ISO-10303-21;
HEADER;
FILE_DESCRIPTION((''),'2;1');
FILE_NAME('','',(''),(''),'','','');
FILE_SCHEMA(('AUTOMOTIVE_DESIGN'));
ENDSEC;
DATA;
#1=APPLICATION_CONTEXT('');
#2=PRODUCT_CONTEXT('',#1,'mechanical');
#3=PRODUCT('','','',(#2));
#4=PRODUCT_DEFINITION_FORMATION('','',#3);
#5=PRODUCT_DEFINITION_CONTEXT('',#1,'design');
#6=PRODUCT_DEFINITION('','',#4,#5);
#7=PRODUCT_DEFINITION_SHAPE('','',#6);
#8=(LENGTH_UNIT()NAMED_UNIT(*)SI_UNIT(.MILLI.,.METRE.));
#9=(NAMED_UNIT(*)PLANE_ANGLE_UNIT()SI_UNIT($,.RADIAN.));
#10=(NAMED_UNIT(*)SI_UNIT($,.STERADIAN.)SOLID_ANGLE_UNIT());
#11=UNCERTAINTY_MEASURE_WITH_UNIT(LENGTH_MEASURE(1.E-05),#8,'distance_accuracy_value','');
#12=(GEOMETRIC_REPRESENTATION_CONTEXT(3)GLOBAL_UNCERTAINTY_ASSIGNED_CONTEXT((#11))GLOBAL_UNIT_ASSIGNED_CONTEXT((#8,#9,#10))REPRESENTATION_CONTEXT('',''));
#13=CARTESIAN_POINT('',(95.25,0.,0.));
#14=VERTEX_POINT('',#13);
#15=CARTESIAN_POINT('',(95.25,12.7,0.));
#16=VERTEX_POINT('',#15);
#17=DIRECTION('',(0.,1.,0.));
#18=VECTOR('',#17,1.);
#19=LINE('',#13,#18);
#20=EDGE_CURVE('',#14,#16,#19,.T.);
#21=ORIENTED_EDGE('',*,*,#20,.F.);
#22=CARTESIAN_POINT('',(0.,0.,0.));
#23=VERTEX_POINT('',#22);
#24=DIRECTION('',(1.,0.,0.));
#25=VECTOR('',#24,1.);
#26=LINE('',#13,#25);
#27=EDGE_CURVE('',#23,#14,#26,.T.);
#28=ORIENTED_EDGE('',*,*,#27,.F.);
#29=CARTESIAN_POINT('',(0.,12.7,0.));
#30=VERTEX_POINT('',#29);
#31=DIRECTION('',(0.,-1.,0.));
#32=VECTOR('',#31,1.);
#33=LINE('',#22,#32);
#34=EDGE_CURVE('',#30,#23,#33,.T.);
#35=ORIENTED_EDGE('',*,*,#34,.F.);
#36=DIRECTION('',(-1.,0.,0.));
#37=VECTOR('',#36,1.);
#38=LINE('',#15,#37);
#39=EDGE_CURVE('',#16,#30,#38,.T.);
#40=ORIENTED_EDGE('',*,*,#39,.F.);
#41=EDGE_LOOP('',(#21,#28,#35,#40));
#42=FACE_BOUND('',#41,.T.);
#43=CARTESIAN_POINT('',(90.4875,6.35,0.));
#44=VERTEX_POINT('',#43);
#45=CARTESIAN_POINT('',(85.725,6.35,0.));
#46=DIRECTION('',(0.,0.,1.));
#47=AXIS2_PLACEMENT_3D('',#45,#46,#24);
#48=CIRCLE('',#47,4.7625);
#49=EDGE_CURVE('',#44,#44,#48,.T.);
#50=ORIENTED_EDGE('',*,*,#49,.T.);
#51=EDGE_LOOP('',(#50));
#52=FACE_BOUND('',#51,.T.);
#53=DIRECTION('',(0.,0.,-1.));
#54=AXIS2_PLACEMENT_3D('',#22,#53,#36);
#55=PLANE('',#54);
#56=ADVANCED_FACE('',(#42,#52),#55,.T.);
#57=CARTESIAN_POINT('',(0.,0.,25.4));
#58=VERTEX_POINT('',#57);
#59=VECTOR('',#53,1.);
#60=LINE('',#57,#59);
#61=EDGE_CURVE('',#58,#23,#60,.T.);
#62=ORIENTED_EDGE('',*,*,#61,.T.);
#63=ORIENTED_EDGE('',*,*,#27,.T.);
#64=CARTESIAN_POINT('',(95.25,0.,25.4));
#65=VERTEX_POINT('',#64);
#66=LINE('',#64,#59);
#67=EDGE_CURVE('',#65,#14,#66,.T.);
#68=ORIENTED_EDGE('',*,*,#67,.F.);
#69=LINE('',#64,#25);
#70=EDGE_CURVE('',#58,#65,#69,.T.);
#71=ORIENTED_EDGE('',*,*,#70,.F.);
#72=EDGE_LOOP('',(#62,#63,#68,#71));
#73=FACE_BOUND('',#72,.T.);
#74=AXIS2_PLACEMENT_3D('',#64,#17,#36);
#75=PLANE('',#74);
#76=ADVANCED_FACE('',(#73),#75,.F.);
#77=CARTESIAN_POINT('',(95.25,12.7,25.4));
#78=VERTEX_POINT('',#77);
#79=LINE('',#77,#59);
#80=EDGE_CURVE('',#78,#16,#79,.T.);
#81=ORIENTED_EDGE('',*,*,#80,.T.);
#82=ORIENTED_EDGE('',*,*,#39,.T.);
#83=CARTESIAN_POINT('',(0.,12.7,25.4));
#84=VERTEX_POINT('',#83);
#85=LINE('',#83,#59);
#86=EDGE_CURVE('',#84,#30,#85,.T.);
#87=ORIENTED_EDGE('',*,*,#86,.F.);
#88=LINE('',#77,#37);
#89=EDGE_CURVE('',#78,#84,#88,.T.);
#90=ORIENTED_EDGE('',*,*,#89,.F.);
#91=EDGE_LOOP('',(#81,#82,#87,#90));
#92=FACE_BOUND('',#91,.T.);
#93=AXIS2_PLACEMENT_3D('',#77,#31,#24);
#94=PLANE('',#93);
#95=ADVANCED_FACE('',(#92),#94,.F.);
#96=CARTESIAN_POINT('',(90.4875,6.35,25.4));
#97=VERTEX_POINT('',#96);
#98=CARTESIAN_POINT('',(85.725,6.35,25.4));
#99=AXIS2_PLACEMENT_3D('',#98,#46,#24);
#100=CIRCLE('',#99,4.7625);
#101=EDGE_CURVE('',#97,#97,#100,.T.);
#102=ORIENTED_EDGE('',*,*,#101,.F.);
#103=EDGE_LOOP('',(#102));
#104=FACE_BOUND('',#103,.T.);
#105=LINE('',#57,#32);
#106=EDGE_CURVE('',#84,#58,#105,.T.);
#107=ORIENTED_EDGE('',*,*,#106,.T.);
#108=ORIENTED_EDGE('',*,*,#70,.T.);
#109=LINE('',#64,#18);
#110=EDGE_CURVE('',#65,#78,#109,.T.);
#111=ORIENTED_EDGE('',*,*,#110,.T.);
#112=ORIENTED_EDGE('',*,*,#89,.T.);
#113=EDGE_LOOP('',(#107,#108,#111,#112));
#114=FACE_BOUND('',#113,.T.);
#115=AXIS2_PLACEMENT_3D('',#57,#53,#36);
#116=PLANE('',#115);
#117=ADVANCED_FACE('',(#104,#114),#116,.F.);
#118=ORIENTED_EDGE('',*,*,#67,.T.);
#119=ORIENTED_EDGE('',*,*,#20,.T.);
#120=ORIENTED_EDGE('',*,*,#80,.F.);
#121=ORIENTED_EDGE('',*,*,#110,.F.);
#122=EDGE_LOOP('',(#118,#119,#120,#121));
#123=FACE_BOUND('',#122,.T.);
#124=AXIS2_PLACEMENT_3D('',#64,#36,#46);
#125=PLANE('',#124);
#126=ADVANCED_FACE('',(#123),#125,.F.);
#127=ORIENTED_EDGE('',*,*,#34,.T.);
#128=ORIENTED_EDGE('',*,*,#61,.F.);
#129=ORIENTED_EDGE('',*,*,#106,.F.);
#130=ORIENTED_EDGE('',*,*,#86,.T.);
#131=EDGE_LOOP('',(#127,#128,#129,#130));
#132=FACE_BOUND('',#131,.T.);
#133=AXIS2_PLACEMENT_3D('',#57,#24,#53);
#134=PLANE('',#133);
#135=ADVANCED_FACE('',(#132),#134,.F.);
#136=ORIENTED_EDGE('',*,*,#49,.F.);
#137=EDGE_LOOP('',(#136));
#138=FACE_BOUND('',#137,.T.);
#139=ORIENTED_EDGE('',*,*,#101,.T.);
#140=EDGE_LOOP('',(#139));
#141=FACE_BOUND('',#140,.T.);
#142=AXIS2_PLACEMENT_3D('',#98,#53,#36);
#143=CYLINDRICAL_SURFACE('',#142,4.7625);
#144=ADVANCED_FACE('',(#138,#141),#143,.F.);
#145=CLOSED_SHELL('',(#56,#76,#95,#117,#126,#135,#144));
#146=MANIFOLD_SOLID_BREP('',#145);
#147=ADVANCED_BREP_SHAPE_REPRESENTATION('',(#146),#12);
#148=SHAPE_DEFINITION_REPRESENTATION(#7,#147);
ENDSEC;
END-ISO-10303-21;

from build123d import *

# Parameters (mm, degrees)
SKETCH1_W           = 95.25
SKETCH1_H           = 12.7
SKETCH1_R           = 4.7625
BOSS_EXTRUDE1_DEPTH = 25.4


with BuildPart() as part:
    # Sketch1 → Boss-Extrude1 (new body)
    with BuildSketch(Plane.XY):
        with Locations((47.625, 6.35)):
            Rectangle(SKETCH1_W, SKETCH1_H)
        with Locations((85.725, 6.35)):
            Circle(SKETCH1_R, mode=Mode.SUBTRACT)
    extrude(amount=BOSS_EXTRUDE1_DEPTH)


solid = part.part
